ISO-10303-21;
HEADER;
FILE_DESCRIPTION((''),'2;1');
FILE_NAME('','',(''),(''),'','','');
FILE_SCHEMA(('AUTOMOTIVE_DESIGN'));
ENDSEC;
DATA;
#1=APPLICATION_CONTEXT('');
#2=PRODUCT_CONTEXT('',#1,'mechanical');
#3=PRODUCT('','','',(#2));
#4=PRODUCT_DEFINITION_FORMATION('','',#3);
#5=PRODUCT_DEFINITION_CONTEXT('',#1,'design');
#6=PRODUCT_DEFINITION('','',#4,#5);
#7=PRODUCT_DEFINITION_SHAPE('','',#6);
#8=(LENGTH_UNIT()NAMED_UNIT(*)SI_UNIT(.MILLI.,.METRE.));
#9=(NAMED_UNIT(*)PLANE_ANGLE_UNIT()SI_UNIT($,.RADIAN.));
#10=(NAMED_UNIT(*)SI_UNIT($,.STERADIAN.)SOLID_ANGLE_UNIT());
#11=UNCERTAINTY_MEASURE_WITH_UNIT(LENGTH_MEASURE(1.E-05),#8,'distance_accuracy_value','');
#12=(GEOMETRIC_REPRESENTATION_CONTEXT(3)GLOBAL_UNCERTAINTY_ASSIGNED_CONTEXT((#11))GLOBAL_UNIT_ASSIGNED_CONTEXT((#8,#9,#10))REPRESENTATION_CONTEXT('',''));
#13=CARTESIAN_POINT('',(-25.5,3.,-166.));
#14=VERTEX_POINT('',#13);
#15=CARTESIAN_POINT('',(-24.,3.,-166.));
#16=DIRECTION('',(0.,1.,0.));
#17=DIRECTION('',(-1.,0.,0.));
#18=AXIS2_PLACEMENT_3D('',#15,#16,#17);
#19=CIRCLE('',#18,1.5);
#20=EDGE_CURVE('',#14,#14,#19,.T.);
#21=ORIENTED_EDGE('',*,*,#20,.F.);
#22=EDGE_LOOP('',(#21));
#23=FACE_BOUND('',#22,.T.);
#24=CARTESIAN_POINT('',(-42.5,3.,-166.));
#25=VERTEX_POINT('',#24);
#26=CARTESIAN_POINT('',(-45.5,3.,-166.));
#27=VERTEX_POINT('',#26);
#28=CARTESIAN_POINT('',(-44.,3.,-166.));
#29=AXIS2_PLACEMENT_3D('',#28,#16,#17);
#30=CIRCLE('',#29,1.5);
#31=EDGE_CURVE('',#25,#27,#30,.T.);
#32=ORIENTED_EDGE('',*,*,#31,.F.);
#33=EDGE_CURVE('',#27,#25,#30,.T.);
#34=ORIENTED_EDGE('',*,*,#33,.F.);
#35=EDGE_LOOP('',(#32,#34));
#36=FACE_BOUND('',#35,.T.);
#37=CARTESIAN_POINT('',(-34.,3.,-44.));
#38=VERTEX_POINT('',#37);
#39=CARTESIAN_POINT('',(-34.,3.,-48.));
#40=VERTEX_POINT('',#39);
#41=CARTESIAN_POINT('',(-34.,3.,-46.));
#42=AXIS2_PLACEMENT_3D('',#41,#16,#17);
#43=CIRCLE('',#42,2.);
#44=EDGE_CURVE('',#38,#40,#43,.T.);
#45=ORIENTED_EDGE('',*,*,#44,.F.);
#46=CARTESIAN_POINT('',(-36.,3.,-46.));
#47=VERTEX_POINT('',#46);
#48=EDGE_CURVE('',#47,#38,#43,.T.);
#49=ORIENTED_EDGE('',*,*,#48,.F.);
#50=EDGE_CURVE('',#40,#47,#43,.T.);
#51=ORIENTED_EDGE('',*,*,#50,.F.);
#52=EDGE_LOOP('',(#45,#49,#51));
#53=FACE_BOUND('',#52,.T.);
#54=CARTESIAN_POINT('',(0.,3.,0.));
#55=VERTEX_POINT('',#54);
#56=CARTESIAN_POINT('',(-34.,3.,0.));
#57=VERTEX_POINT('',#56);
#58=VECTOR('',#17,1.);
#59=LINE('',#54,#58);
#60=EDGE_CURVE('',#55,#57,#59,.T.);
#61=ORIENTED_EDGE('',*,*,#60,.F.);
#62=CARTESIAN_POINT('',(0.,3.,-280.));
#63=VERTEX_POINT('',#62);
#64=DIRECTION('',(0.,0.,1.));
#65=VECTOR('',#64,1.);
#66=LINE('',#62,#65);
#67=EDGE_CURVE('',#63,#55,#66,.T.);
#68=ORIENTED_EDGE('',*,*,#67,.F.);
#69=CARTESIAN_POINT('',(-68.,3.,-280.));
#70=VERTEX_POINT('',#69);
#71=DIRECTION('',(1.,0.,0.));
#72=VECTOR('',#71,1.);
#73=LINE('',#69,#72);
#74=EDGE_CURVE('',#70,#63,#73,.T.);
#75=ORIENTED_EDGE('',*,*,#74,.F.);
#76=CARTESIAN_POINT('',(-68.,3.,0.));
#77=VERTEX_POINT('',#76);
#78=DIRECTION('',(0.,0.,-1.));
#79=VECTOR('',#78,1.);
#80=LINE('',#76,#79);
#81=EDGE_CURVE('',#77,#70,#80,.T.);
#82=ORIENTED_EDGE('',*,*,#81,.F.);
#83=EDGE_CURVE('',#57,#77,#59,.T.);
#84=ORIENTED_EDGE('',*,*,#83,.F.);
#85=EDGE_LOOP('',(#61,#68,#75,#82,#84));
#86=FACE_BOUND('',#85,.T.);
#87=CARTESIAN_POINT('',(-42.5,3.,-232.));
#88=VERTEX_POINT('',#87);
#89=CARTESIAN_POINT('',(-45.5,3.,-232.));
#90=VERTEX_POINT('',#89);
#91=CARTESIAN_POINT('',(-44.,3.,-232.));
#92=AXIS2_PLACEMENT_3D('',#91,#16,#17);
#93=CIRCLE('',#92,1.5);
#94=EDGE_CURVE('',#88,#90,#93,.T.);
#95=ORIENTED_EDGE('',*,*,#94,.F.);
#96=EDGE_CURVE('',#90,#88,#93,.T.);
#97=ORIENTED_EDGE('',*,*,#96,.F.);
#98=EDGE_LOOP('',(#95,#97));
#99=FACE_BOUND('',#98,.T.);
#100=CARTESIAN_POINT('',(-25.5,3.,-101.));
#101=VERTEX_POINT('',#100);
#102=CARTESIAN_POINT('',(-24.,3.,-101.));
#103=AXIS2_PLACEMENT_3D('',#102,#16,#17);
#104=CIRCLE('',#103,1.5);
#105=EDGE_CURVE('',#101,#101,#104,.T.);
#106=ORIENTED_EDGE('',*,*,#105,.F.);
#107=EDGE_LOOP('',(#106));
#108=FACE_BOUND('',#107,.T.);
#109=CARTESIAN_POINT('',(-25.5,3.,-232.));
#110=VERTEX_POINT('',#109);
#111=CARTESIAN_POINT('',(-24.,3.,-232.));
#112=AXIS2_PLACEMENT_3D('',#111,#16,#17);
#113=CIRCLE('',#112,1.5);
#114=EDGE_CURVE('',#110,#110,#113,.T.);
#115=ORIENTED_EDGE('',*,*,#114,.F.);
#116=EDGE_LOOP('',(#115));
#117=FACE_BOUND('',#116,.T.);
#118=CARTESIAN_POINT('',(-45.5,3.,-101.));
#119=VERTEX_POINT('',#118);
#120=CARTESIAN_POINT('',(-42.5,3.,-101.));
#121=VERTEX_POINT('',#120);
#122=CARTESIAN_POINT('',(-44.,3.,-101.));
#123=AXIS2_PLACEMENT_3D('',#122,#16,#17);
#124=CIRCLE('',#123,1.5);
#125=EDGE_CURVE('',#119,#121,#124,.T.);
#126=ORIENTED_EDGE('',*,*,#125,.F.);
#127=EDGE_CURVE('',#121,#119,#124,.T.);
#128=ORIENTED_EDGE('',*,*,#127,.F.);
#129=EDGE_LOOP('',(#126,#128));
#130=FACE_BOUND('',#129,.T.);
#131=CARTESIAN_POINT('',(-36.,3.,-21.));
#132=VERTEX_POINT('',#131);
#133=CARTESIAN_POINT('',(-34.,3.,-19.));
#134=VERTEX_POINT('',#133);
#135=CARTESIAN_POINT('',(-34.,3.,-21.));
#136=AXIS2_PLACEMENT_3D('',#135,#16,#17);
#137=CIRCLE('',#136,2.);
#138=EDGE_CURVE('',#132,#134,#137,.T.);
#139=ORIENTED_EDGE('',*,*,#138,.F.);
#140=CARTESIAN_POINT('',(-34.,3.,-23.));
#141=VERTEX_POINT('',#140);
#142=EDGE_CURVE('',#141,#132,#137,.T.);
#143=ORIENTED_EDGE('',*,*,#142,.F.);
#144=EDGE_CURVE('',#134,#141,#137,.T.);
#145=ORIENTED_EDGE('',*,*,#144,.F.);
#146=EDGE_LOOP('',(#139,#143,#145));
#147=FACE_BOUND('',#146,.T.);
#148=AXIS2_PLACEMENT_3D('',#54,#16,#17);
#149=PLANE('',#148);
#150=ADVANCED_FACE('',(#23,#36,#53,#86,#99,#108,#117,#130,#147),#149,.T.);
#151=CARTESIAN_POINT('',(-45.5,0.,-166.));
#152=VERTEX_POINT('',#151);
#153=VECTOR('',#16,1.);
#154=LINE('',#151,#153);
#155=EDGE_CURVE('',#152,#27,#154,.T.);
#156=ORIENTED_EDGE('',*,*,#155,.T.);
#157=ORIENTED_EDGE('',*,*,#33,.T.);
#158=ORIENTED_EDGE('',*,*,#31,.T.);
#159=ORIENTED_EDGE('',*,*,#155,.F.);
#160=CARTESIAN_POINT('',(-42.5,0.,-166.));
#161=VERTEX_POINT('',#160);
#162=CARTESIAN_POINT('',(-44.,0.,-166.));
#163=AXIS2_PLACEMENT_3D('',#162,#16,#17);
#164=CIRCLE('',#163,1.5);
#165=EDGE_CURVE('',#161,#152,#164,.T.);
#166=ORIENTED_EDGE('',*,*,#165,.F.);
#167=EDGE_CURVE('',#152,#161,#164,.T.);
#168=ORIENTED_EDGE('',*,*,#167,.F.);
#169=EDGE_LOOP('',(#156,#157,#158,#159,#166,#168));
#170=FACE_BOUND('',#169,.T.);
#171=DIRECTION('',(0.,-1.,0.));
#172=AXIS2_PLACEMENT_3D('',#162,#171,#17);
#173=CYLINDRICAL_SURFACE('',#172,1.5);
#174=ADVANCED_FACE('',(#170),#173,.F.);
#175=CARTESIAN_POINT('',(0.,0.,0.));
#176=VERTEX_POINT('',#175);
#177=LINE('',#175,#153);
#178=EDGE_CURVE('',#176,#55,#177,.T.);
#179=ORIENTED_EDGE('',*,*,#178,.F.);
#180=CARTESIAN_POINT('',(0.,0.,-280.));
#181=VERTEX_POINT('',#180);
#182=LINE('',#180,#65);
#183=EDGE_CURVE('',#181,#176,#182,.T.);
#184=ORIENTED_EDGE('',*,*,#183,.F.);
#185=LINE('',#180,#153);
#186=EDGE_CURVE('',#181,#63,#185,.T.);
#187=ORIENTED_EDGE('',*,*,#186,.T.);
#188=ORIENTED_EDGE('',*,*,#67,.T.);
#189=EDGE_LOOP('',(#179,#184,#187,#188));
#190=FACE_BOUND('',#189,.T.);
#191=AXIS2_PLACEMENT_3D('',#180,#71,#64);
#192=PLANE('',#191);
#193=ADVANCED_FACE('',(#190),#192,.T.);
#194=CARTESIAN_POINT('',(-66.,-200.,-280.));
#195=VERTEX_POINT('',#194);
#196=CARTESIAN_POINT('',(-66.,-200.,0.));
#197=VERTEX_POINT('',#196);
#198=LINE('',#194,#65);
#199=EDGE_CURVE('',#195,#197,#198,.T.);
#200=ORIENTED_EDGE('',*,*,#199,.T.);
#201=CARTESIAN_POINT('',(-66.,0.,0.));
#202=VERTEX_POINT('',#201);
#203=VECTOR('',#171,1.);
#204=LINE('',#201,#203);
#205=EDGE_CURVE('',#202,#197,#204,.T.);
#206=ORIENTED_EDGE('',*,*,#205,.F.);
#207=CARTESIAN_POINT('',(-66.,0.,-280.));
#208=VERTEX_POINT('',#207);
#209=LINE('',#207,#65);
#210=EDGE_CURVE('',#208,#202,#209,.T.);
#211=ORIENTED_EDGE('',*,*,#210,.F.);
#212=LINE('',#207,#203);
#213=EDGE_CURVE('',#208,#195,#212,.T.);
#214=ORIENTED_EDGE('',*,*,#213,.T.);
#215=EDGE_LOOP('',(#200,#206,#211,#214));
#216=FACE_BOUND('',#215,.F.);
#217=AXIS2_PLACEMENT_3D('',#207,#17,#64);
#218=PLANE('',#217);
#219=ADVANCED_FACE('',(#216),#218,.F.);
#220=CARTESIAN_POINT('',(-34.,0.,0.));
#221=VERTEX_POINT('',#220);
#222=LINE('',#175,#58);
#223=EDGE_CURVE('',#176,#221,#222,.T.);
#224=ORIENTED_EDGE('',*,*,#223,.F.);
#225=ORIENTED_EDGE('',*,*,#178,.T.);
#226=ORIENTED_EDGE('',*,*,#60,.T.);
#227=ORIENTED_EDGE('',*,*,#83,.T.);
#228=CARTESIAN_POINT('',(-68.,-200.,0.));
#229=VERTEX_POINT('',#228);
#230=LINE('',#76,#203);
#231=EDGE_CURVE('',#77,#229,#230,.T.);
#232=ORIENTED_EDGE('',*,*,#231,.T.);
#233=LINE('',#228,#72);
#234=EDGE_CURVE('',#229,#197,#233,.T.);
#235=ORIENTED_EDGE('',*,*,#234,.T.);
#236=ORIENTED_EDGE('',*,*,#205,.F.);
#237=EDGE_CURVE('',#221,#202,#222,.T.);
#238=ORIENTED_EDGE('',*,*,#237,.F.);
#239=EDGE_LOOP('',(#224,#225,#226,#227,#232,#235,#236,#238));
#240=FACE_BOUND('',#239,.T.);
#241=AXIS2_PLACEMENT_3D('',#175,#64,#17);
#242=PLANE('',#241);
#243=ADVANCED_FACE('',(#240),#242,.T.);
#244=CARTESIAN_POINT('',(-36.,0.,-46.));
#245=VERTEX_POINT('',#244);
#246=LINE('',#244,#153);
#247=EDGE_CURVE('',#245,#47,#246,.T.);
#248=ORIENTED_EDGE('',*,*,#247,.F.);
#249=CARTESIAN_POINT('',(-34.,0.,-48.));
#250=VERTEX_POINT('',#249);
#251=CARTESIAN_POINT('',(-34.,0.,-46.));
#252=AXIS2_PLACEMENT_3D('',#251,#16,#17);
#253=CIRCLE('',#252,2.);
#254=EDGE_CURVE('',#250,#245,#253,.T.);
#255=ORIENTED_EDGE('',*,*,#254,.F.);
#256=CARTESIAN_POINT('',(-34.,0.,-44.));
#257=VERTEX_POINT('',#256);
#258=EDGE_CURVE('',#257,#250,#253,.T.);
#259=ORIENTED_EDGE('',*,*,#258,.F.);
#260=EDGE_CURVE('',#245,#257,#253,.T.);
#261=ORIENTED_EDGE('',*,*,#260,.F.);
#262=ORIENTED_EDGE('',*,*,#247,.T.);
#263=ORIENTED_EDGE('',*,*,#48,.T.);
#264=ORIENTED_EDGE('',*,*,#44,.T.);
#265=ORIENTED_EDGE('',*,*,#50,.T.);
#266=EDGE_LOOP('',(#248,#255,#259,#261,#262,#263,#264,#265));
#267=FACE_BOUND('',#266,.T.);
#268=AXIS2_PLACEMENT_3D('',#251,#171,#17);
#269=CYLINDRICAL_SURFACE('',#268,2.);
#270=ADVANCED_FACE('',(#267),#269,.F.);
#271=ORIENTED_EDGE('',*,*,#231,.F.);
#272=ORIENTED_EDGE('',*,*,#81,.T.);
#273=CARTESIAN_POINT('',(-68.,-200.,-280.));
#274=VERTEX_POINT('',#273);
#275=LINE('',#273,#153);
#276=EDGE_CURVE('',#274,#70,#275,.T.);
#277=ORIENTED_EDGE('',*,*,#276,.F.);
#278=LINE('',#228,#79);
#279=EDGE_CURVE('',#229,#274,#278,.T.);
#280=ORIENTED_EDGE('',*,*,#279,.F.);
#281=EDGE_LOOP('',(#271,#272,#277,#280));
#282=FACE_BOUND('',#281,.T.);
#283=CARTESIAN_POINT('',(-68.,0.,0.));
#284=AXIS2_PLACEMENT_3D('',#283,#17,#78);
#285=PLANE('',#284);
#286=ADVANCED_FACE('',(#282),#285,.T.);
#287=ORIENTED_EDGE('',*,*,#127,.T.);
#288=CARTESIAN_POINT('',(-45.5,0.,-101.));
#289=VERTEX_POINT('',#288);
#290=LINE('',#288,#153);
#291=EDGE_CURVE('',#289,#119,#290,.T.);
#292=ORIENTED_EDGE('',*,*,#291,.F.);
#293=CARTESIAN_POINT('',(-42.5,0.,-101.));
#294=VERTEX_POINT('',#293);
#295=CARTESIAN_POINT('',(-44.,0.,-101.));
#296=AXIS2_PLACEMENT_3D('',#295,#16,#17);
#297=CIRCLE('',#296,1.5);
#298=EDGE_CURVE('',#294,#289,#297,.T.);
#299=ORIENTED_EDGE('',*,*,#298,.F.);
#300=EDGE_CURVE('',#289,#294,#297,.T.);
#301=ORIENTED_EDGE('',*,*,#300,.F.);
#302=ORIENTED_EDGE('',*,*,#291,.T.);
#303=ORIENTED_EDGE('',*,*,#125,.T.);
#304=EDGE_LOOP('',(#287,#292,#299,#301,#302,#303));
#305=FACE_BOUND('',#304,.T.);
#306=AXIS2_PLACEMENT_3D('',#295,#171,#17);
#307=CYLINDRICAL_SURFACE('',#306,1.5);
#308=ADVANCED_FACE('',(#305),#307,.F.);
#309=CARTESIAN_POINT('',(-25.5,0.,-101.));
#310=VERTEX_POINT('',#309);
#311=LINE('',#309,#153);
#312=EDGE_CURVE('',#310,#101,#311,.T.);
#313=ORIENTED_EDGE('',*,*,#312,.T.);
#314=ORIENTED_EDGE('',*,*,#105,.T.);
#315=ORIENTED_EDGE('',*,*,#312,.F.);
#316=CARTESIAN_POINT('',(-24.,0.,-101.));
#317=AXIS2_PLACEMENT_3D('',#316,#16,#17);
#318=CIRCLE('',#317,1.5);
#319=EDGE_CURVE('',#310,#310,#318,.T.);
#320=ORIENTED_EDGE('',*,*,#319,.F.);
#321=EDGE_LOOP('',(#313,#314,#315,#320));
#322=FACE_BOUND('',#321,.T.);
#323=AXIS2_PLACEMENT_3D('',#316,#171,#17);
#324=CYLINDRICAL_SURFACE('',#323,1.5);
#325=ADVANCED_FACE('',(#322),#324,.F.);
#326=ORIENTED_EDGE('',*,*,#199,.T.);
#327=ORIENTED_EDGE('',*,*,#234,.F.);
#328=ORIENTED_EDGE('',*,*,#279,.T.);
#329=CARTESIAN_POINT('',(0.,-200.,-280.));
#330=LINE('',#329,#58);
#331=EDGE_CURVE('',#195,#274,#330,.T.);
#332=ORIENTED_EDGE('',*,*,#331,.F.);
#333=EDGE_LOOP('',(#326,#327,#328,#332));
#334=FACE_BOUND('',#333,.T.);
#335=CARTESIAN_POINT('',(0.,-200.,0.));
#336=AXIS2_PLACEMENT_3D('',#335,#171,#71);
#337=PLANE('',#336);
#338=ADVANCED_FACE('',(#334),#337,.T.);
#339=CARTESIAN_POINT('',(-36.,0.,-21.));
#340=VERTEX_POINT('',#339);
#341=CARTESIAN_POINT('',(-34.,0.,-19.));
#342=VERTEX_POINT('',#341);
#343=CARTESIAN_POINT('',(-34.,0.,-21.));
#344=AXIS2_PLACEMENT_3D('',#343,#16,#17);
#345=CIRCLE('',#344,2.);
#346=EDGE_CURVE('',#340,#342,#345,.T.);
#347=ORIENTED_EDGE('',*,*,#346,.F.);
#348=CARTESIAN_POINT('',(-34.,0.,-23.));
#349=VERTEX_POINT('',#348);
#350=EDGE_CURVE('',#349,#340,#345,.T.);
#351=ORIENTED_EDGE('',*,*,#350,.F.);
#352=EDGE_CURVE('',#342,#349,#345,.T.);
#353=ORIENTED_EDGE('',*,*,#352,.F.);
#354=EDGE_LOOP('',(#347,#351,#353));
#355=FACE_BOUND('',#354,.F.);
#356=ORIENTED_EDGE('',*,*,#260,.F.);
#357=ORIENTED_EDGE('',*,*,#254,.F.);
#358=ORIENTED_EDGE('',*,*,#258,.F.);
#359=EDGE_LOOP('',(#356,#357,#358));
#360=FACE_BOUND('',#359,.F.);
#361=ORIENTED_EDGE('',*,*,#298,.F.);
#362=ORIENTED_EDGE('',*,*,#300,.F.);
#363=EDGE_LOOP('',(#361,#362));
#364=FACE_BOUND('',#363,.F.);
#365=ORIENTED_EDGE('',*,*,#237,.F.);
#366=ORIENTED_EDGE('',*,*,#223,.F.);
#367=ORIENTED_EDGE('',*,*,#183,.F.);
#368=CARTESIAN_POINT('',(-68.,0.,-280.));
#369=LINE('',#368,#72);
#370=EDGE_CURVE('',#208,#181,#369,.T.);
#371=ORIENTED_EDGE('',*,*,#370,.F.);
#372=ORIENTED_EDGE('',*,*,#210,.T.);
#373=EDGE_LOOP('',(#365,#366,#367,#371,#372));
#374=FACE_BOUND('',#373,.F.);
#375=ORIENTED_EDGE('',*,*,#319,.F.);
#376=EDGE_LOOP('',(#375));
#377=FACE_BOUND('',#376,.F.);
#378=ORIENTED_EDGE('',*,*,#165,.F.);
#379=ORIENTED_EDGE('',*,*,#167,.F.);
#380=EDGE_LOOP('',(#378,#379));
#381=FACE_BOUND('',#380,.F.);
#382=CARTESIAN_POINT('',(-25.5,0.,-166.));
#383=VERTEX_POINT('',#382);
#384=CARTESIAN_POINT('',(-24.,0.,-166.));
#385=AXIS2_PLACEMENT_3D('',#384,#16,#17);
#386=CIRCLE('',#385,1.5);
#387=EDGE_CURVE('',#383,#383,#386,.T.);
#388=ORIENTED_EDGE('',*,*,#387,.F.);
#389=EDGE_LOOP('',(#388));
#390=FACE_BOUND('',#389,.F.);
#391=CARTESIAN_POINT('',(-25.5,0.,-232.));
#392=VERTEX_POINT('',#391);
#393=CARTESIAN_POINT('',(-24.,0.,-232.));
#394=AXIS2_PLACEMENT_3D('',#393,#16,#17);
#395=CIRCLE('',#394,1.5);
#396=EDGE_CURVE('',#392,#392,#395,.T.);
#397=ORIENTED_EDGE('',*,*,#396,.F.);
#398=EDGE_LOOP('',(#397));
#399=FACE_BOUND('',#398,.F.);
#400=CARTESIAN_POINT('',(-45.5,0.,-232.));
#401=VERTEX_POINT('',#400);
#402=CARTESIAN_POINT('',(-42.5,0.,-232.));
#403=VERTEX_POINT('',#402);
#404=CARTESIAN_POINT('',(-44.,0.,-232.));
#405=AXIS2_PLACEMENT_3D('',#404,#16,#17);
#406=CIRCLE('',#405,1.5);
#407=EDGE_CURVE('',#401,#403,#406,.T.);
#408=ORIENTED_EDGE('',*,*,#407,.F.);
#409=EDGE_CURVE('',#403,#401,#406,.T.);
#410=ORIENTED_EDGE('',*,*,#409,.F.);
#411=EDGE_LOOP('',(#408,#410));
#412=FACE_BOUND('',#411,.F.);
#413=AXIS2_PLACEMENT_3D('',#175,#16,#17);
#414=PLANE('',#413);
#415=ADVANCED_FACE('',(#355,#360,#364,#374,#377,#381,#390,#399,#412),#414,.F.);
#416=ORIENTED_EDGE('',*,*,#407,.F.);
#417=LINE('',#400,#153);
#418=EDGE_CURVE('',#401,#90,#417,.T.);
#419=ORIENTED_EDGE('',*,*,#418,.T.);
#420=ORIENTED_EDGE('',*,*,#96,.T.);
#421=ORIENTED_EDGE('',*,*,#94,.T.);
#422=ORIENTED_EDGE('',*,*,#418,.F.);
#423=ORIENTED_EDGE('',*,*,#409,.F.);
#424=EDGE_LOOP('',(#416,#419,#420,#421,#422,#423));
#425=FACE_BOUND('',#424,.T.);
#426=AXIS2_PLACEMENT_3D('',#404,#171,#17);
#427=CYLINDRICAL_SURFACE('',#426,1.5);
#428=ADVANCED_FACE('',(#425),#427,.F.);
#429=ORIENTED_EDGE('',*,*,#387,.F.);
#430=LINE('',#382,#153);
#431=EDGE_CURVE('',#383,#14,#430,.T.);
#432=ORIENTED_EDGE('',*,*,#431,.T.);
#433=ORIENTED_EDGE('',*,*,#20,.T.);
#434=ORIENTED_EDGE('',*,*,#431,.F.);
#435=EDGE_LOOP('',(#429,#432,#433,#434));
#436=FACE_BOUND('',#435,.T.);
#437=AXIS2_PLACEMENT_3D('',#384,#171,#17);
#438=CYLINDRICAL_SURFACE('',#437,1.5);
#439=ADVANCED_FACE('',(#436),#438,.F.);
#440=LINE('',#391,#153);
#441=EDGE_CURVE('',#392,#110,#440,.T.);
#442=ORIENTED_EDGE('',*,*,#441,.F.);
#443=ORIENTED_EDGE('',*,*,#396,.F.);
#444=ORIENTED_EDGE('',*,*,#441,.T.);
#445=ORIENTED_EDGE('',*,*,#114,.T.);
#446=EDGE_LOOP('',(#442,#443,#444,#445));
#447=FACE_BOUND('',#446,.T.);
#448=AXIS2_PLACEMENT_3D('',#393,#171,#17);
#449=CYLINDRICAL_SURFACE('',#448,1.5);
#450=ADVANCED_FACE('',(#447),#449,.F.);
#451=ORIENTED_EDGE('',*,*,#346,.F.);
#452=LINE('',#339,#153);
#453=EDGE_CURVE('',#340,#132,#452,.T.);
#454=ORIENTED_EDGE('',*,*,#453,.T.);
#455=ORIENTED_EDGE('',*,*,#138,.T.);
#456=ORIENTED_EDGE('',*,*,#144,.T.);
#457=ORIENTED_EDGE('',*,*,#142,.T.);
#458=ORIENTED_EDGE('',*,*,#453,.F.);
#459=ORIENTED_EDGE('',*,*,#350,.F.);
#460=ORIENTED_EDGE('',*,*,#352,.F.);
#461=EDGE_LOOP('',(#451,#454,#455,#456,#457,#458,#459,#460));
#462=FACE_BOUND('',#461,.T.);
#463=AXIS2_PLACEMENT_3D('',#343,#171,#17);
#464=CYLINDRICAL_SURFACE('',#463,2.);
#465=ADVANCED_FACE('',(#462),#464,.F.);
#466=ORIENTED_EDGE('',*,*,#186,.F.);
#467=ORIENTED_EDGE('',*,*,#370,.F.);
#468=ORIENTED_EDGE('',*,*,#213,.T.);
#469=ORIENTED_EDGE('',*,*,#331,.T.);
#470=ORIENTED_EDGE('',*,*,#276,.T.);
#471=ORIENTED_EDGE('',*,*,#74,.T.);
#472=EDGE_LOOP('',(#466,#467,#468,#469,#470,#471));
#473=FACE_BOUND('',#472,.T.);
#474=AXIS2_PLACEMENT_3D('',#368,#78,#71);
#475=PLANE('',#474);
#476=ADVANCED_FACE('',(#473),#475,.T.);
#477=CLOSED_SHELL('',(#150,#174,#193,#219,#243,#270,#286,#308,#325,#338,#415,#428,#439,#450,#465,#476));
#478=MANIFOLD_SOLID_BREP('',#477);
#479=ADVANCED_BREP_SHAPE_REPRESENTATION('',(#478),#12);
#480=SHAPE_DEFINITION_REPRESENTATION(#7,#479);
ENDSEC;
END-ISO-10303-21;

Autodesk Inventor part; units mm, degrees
ref_plane "YZ Plane" through (0, 0, 0) normal (1, 0, 0) x (0, 1, 0)
ref_plane "XZ Plane" through (0, 0, 0) normal (0, 1, 0) x (-1, 0, 0)
ref_plane "XY Plane" through (0, 0, 0) normal (0, 0, 1) x (1, 0, 0)
sketch "草图1" plane through (0, 0, 0) normal (0, 1, 0) x (-1, 0, 0)
  line L0 (0, 0) -> (68, 0)
  line L1 (68, 0) -> (68, -280)
  line L2 (68, -280) -> (0, -280)
  line L3 (0, -280) -> (0, 0)
  line L4 (34, 0) -> (34, -21)
  circle A0 centre (34, -21) radius 2
  line L5 (34, -21) -> (34, -46)
  circle A1 centre (34, -46) radius 2
  line L6 (34, -46) -> (34, -101)
  line L7 (34, -101) -> (44, -101)
  line L8 (34, -101) -> (24, -101)
  circle A2 centre (44, -101) radius 1.5
  circle A3 centre (24, -101) radius 1.5
  line L9 (34, -101) -> (34, -166)
  line L10 (34, -166) -> (44, -166)
  line L11 (34, -166) -> (24, -166)
  circle A4 centre (44, -166) radius 1.5
  circle A5 centre (24, -166) radius 1.5
  line L12 (34, -166) -> (34, -232)
  line L13 (34, -232) -> (44, -232)
  line L14 (34, -232) -> (24, -232)
  circle A6 centre (44, -232) radius 1.5
  circle A7 centre (24, -232) radius 1.5
  dimension "d0" = 68
  dimension "d1" = 280
  dimension "d2" = 21
  dimension "d3" = 4
  dimension "d4" = 25
  dimension "d5" = 4
  dimension "d6" = 55
  dimension "d7" = 10
  dimension "d8" = 10
  dimension "d9" = 3
  dimension "d10" = 3
  dimension "d11" = 65
  dimension "d12" = 10
  dimension "d13" = 10
  dimension "d14" = 3
  dimension "d15" = 3
  dimension "d16" = 66
  dimension "d17" = 10
  dimension "d18" = 10
  dimension "d19" = 3
  dimension "d20" = 3
extrude "拉伸1" add sketch "草图1" along normal blind 3
sketch "草图3" plane through (0, 0, 0) normal (0, -1, 0) x (1, 0, 0)
  line L0 (0, -280) -> (-68, -280) projected
  line L1 (-68, 0) -> (0, 0) projected
  line L2 (-68, -280) -> (-66, -280)
  line L3 (-66, -280) -> (-66, 0)
  line L4 (-66, 0) -> (-68, 0)
  line L5 (-68, 0) -> (-68, -280)
  dimension "d26" = 2
extrude "拉伸3" add sketch "草图3" along normal blind 200
equation "\"折弯半径\" = 厚度"
equation "\"折弯释压宽度\" = 厚度"
equation "\"折弯释压深度\" = 0.5 * 厚度"
equation "\"拐角释压尺寸\" = 4 * 厚度"
equation "\"最小余量\" = 2 * 厚度"
equation "\"过渡半径\" = 折弯半径"
equation "\"Jacobi半径尺寸\" = 折弯半径"
equation "\"间隙大小\" = 厚度"
equation "\"厚度\" = 0.5"
properties part number "底板3"
